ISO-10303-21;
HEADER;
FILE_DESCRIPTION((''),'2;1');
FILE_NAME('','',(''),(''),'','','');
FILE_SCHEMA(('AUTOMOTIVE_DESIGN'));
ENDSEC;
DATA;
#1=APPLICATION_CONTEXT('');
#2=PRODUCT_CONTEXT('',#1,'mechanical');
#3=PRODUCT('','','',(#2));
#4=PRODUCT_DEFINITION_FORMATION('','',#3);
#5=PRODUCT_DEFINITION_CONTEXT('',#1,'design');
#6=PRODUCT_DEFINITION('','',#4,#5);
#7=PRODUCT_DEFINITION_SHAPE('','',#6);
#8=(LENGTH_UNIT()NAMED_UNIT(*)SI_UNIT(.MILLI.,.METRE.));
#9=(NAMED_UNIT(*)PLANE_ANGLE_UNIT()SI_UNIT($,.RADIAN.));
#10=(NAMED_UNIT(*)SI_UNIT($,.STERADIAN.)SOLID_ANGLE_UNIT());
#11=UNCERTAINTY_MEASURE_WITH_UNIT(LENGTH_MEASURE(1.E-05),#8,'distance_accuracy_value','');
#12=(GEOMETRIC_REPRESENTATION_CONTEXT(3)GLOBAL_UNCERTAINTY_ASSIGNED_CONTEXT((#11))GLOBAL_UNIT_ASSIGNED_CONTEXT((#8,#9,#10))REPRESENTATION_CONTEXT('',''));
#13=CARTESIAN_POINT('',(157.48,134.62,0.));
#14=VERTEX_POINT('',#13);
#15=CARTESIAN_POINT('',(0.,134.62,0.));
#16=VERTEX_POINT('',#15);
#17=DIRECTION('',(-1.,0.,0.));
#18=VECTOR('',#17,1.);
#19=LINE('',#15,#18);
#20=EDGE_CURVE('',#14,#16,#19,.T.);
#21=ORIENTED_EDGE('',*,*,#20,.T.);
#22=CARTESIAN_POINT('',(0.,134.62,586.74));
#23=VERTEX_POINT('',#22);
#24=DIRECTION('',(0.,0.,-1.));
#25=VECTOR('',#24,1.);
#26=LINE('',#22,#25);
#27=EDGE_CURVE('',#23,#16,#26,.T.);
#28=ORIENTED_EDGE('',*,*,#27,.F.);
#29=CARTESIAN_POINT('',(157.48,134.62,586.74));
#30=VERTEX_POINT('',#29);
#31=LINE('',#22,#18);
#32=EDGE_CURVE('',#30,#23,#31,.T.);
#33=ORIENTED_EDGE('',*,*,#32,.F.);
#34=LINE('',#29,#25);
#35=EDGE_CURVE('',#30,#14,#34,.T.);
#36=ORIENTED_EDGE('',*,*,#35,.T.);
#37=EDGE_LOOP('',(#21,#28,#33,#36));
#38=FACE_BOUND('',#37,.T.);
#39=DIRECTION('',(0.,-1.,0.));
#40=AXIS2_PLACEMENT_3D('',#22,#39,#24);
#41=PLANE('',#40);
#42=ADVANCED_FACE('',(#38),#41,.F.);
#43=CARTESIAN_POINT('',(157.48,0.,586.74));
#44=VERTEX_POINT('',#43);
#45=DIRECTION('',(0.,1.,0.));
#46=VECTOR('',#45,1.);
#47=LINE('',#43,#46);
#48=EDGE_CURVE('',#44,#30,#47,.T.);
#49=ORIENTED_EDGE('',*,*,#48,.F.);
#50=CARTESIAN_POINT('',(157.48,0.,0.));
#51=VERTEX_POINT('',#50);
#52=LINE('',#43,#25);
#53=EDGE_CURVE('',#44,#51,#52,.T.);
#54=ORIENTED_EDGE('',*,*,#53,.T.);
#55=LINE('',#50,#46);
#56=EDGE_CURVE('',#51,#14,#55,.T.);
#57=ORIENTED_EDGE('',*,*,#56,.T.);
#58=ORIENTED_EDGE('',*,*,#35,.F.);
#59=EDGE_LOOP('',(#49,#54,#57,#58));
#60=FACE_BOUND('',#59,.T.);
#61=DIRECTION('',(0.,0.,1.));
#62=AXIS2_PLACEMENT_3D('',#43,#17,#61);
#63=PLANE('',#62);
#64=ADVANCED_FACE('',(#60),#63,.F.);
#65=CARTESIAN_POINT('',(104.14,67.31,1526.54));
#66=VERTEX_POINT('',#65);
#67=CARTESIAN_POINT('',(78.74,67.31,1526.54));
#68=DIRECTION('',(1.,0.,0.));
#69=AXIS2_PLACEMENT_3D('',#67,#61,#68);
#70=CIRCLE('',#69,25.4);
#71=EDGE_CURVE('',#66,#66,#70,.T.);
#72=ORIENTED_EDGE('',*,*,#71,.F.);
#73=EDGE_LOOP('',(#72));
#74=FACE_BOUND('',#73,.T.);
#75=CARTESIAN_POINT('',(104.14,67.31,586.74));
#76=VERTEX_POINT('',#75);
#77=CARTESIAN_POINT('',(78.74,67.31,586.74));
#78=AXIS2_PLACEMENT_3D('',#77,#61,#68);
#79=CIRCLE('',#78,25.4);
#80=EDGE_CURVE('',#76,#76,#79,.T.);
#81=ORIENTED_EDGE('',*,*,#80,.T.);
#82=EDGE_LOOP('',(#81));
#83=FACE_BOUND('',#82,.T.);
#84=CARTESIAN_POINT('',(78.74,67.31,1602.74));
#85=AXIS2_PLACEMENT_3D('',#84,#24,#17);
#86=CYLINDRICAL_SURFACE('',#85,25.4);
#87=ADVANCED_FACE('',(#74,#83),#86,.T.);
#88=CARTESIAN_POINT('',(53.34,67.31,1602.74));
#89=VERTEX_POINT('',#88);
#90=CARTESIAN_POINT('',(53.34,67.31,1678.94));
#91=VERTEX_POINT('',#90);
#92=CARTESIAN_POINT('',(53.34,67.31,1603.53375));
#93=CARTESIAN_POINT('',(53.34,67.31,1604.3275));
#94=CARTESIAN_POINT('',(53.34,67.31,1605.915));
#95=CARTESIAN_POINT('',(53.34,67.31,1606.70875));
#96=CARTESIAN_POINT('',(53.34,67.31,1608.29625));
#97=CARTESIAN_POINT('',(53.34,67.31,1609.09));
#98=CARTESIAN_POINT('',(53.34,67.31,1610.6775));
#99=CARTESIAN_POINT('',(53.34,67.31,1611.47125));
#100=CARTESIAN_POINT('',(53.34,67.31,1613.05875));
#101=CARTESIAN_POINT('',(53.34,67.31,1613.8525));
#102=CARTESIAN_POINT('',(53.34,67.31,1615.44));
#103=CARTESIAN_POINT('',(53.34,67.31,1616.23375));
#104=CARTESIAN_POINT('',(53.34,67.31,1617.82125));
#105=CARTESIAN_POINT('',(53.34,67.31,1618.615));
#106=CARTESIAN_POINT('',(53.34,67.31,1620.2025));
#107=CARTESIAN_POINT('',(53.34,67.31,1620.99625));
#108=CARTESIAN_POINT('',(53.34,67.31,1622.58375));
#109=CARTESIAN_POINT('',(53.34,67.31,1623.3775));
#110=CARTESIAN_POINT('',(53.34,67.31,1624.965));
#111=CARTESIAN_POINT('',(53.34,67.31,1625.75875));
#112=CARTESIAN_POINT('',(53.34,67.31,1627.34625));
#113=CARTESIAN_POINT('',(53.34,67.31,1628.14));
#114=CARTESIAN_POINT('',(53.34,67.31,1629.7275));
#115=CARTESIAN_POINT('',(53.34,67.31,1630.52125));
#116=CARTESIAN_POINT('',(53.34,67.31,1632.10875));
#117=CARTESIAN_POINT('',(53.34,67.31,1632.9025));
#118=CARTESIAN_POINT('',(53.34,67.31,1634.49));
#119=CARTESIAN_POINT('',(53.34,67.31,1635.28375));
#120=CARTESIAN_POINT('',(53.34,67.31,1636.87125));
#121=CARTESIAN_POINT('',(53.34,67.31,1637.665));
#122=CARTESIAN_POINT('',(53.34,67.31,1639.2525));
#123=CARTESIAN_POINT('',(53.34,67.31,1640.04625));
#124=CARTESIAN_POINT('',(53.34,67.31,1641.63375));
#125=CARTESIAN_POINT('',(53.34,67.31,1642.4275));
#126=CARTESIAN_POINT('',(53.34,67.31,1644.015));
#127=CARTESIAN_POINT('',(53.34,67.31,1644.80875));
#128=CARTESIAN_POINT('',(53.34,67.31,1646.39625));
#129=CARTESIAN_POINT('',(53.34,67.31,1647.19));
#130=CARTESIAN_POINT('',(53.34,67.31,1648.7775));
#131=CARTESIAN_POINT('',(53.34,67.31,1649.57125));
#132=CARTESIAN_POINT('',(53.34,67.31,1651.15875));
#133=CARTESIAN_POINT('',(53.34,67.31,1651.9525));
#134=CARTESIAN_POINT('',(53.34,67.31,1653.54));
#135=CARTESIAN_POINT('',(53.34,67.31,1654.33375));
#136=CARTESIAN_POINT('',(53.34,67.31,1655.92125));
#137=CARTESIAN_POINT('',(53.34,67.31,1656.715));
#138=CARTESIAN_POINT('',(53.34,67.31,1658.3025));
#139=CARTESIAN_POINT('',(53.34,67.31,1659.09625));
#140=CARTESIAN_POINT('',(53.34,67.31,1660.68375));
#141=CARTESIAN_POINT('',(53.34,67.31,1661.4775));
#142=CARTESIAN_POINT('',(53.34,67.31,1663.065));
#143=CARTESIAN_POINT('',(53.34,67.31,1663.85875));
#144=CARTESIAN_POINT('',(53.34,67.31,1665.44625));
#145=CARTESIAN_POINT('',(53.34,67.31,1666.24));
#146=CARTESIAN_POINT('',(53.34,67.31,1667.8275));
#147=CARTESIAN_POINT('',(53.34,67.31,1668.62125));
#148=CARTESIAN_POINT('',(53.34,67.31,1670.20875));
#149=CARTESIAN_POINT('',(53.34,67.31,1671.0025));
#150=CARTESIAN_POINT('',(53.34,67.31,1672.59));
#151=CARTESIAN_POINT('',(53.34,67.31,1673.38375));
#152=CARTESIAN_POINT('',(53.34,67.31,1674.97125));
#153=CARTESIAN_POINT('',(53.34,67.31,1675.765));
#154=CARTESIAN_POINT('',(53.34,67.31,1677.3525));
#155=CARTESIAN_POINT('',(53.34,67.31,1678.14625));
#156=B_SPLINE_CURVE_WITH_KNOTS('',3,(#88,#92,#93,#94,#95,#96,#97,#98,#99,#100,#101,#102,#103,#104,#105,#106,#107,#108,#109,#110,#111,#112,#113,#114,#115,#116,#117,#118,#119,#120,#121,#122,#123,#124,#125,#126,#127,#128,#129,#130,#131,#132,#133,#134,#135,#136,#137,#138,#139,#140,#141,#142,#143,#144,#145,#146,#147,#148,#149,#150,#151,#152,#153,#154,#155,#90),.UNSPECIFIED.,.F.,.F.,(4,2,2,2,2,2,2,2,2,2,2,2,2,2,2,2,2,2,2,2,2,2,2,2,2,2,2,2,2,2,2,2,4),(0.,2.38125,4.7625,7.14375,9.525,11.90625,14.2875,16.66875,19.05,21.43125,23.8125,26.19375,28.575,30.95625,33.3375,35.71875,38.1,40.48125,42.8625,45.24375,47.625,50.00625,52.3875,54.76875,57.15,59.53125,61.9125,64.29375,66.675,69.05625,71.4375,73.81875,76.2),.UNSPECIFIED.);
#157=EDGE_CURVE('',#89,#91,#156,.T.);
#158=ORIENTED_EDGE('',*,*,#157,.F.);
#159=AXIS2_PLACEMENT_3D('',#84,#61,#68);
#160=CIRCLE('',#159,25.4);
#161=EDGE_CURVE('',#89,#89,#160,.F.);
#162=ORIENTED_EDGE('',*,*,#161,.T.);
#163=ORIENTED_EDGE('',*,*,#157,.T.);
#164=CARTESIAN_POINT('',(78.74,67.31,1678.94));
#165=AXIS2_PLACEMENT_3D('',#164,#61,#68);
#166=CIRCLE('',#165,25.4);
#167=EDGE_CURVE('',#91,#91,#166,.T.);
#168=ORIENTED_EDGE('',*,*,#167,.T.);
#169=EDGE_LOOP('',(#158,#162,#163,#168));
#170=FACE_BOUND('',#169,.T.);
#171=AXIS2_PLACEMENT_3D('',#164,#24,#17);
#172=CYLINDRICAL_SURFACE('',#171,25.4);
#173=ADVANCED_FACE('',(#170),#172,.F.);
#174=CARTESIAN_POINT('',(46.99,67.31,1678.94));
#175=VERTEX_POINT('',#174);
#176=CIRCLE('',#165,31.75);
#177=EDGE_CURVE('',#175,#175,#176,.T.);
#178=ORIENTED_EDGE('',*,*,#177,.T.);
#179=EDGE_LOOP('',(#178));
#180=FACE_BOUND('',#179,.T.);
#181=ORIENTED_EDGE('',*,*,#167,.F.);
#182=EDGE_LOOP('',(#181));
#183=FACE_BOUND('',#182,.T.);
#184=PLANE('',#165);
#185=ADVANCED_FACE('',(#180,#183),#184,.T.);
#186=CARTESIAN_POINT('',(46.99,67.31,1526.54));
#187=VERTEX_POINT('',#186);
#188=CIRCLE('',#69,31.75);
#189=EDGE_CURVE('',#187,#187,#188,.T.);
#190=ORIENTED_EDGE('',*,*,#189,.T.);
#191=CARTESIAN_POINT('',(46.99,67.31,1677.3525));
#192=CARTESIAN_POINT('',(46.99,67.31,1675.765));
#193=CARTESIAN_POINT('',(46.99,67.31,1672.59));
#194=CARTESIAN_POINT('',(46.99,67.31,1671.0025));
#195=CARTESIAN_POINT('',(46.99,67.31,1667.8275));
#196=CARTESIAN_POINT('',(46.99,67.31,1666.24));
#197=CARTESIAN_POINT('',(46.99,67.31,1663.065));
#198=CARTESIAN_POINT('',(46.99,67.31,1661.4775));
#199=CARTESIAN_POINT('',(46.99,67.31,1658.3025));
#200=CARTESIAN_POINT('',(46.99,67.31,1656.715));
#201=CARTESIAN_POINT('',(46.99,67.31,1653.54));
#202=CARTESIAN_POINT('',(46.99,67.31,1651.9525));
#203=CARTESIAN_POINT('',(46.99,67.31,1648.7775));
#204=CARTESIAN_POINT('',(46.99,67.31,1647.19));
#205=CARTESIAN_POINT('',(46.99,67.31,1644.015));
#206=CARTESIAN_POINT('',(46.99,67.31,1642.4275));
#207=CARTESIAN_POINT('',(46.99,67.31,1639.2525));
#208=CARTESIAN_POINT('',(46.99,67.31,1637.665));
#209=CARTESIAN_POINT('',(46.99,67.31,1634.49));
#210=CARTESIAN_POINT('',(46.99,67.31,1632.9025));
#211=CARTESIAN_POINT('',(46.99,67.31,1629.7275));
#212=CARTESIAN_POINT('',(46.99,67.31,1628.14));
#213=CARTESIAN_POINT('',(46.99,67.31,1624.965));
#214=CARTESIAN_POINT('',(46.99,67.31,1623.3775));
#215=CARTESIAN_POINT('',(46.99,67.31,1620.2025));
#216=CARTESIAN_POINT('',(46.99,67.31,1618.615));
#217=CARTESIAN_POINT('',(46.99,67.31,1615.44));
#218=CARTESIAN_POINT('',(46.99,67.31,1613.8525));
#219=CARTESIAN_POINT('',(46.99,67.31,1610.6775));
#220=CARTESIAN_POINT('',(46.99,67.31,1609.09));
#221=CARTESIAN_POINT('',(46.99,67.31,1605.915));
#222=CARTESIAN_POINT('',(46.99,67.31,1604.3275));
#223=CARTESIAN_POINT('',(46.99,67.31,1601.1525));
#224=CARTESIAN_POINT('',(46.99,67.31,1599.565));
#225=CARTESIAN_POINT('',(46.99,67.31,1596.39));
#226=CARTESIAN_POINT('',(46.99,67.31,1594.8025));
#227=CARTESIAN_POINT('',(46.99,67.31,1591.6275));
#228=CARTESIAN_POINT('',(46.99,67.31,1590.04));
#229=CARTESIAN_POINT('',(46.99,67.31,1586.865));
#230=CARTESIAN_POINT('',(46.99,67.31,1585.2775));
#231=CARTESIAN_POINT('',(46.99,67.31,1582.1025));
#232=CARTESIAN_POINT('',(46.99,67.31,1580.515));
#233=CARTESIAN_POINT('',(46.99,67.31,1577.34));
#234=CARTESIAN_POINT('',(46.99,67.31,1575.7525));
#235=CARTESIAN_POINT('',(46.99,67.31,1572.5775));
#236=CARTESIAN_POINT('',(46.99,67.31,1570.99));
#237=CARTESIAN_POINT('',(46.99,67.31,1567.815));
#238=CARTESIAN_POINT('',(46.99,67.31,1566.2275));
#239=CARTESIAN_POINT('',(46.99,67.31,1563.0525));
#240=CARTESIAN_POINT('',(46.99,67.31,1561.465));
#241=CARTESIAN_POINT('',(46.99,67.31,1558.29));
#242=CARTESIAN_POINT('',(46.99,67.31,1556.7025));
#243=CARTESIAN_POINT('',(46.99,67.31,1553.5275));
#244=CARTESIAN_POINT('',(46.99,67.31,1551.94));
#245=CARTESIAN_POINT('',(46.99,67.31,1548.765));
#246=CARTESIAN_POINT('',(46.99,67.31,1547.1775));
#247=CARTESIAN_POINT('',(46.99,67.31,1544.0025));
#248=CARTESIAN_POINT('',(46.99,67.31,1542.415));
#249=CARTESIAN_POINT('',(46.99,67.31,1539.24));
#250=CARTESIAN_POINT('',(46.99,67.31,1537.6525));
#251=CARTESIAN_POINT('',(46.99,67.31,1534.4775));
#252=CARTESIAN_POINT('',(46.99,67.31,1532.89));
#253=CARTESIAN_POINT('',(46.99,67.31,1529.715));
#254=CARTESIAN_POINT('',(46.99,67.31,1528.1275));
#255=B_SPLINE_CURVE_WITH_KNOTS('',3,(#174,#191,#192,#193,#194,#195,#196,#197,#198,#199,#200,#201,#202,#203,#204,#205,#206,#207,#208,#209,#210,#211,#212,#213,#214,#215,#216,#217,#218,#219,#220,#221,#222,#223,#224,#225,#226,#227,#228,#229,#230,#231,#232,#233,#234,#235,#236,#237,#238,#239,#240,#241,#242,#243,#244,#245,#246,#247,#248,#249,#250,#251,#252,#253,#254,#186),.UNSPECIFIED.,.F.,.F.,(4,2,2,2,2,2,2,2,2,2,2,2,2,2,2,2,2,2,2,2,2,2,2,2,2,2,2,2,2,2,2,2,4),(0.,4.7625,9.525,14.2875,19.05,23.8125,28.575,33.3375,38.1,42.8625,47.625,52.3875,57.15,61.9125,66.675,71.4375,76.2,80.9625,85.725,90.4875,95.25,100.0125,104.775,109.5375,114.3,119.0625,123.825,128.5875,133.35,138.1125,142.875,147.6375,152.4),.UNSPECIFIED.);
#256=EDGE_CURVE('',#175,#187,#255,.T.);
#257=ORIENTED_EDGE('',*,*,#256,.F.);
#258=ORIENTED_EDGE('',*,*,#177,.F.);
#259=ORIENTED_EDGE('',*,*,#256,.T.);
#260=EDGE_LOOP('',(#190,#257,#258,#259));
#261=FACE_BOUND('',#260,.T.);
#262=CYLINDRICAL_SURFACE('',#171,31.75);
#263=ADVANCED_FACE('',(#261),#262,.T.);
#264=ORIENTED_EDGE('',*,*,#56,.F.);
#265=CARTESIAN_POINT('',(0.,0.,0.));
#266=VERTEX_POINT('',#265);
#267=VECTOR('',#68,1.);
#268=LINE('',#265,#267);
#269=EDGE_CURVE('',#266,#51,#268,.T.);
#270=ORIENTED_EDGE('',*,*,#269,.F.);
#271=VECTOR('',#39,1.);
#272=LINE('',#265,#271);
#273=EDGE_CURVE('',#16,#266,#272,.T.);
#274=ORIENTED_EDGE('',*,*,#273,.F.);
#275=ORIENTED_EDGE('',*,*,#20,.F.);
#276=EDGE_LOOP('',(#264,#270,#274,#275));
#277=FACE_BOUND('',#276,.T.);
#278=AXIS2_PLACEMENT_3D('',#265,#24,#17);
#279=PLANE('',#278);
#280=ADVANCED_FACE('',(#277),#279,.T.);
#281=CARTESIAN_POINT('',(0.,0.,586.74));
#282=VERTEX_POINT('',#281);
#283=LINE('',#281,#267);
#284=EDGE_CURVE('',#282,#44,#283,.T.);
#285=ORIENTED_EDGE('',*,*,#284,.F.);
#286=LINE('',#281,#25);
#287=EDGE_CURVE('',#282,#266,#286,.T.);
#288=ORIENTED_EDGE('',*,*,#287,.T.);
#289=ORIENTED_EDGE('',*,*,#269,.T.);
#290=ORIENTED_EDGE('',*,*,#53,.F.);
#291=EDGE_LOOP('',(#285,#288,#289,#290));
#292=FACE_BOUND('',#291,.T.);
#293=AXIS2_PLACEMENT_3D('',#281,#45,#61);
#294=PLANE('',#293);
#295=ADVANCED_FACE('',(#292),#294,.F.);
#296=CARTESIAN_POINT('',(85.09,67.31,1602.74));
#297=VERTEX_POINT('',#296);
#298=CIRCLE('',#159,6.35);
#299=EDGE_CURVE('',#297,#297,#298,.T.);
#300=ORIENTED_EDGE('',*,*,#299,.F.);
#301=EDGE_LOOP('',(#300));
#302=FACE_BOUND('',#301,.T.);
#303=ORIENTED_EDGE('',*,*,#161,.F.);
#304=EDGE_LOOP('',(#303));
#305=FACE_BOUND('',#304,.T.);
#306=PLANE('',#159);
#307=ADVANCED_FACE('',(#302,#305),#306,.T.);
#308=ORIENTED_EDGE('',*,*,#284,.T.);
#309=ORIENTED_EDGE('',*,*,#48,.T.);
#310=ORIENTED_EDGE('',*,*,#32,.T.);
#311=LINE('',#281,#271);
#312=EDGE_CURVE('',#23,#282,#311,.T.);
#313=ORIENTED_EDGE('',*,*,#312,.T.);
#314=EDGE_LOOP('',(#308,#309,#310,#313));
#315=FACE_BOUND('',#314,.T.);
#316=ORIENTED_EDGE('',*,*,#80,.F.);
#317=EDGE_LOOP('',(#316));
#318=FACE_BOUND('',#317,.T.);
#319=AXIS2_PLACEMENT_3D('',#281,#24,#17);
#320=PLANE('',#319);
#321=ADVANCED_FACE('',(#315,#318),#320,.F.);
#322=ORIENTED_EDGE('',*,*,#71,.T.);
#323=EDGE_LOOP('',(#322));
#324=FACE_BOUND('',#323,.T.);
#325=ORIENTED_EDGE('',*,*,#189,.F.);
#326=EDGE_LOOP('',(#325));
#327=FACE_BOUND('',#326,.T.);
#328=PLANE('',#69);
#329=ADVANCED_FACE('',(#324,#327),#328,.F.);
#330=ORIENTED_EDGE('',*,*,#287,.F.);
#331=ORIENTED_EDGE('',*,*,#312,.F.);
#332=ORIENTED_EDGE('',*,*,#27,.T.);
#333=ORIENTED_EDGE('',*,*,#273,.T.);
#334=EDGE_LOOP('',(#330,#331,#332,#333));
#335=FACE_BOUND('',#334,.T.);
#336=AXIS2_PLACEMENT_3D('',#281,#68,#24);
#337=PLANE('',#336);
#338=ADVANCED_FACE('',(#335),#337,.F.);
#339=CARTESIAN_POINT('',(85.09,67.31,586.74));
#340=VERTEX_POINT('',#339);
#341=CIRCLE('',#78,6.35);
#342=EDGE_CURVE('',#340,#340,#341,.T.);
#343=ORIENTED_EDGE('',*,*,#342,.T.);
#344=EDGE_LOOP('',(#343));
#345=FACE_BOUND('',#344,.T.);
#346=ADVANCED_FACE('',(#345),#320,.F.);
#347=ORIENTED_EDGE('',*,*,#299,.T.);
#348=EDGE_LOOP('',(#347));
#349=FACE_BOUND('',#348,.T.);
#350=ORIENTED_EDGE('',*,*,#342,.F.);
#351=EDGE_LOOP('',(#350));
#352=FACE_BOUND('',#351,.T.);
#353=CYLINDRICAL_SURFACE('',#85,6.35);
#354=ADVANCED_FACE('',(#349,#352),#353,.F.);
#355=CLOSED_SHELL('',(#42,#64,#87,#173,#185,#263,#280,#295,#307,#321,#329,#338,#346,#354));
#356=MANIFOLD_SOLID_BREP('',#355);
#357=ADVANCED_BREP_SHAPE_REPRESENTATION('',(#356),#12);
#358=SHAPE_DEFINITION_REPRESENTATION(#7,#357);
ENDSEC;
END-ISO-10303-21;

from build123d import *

# Parameters (mm, degrees)
SKETCH1_W           = 157.48
SKETCH1_H           = 134.62
BOSS_EXTRUDE1_DEPTH = 586.74
SKETCH2_R           = 25.4
SKETCH2_R_2         = 6.35
BOSS_EXTRUDE2_DEPTH = 1016
SKETCH3_R           = 31.75
SKETCH3_R_2         = 25.4
BOSS_EXTRUDE3_DEPTH = 76.2


with BuildPart() as part:
    # Sketch1 → Boss-Extrude1 (new body)
    with BuildSketch(Plane.XY):
        with Locations((78.74, 67.31)):
            Rectangle(SKETCH1_W, SKETCH1_H)
    extrude(amount=BOSS_EXTRUDE1_DEPTH)

    # Sketch2 → Boss-Extrude2 (add)
    with BuildSketch(Plane.XY.offset(586.74)):
        with Locations((78.74, 67.31)):
            Circle(SKETCH2_R)
        with Locations((78.74, 67.31)):
            Circle(SKETCH2_R_2, mode=Mode.SUBTRACT)
    extrude(amount=BOSS_EXTRUDE2_DEPTH)

    # Sketch3 → Boss-Extrude3 (add, symmetric)
    with BuildSketch(Plane.XY.offset(1602.74)):
        with Locations(Location((78.74, 67.31, 0), (0, 0, 180))):
            Circle(SKETCH3_R)
        with Locations((78.74, 67.31)):
            Circle(SKETCH3_R_2, mode=Mode.SUBTRACT)
    extrude(amount=BOSS_EXTRUDE3_DEPTH, both=True)


solid = part.part
